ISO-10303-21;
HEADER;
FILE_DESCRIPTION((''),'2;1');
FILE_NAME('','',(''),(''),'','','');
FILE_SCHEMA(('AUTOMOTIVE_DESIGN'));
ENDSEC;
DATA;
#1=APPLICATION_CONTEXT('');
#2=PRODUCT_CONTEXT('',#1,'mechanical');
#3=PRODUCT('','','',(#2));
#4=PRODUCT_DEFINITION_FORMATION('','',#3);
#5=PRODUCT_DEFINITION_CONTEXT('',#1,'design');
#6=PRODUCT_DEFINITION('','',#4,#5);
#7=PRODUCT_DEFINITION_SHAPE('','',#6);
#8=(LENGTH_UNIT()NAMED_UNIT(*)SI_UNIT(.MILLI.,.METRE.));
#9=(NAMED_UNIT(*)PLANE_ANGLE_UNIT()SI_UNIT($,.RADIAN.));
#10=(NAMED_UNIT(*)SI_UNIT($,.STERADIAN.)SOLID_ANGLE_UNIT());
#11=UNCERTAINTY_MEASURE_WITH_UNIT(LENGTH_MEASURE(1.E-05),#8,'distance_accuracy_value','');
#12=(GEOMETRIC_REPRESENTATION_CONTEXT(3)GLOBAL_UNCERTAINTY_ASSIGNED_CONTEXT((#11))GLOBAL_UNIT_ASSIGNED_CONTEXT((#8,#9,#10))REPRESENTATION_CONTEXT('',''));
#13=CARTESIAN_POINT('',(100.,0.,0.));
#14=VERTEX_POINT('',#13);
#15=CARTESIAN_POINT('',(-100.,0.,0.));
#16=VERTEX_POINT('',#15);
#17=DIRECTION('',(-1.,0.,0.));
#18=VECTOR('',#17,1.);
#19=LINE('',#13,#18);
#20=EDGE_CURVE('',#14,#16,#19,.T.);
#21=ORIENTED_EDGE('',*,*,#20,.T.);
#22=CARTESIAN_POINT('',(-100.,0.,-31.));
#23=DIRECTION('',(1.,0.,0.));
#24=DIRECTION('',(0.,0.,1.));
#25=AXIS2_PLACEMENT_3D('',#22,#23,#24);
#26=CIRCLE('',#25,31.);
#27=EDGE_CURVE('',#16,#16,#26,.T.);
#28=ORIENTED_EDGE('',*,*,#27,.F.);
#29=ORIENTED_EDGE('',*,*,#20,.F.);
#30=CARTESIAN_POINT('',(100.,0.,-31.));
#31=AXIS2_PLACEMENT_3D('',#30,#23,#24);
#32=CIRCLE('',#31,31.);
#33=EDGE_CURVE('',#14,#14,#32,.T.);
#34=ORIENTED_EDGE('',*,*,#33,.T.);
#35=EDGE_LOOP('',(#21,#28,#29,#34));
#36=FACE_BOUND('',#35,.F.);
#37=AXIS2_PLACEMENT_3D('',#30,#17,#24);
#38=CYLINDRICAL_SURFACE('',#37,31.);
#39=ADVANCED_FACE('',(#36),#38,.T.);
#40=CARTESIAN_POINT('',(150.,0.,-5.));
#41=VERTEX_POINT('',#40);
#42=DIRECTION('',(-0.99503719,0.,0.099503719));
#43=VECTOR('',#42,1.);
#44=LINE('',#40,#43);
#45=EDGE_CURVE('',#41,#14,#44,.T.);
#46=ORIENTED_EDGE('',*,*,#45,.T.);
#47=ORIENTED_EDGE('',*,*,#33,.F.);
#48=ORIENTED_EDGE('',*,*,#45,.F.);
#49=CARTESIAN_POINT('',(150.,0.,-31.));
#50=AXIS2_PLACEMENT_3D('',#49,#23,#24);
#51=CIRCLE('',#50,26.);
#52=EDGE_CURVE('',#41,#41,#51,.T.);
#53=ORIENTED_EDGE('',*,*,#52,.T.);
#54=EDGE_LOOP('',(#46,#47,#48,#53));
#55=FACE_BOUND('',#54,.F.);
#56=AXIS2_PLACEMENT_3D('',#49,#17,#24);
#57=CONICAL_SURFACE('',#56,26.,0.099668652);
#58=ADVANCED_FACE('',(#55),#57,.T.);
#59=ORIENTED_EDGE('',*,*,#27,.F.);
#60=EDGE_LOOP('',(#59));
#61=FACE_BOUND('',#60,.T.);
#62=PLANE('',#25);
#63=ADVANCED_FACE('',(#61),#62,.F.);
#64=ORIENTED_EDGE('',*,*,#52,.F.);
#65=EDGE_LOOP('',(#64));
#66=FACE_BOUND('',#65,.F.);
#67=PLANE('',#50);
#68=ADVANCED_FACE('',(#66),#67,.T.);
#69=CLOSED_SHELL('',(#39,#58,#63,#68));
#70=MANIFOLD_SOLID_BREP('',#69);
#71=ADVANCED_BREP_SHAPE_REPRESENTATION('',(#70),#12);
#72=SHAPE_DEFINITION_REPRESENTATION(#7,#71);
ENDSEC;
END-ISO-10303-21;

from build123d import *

# Parameters (mm, degrees)
F0_W = 100
F0_H = 31


with BuildPart() as f1:
    # F0 (on Front) → F1 (revolve)
    with BuildSketch(Plane.XZ):
        Polygon((100, 0), (0, 0), (0, -31), (150, -31), (150, -5), align=None)
        with Locations((-50, -15.5)):
            Rectangle(F0_W, F0_H)
    revolve(axis=Axis((75, 0, -31), (1, 0, 0)))


solid = f1.part
